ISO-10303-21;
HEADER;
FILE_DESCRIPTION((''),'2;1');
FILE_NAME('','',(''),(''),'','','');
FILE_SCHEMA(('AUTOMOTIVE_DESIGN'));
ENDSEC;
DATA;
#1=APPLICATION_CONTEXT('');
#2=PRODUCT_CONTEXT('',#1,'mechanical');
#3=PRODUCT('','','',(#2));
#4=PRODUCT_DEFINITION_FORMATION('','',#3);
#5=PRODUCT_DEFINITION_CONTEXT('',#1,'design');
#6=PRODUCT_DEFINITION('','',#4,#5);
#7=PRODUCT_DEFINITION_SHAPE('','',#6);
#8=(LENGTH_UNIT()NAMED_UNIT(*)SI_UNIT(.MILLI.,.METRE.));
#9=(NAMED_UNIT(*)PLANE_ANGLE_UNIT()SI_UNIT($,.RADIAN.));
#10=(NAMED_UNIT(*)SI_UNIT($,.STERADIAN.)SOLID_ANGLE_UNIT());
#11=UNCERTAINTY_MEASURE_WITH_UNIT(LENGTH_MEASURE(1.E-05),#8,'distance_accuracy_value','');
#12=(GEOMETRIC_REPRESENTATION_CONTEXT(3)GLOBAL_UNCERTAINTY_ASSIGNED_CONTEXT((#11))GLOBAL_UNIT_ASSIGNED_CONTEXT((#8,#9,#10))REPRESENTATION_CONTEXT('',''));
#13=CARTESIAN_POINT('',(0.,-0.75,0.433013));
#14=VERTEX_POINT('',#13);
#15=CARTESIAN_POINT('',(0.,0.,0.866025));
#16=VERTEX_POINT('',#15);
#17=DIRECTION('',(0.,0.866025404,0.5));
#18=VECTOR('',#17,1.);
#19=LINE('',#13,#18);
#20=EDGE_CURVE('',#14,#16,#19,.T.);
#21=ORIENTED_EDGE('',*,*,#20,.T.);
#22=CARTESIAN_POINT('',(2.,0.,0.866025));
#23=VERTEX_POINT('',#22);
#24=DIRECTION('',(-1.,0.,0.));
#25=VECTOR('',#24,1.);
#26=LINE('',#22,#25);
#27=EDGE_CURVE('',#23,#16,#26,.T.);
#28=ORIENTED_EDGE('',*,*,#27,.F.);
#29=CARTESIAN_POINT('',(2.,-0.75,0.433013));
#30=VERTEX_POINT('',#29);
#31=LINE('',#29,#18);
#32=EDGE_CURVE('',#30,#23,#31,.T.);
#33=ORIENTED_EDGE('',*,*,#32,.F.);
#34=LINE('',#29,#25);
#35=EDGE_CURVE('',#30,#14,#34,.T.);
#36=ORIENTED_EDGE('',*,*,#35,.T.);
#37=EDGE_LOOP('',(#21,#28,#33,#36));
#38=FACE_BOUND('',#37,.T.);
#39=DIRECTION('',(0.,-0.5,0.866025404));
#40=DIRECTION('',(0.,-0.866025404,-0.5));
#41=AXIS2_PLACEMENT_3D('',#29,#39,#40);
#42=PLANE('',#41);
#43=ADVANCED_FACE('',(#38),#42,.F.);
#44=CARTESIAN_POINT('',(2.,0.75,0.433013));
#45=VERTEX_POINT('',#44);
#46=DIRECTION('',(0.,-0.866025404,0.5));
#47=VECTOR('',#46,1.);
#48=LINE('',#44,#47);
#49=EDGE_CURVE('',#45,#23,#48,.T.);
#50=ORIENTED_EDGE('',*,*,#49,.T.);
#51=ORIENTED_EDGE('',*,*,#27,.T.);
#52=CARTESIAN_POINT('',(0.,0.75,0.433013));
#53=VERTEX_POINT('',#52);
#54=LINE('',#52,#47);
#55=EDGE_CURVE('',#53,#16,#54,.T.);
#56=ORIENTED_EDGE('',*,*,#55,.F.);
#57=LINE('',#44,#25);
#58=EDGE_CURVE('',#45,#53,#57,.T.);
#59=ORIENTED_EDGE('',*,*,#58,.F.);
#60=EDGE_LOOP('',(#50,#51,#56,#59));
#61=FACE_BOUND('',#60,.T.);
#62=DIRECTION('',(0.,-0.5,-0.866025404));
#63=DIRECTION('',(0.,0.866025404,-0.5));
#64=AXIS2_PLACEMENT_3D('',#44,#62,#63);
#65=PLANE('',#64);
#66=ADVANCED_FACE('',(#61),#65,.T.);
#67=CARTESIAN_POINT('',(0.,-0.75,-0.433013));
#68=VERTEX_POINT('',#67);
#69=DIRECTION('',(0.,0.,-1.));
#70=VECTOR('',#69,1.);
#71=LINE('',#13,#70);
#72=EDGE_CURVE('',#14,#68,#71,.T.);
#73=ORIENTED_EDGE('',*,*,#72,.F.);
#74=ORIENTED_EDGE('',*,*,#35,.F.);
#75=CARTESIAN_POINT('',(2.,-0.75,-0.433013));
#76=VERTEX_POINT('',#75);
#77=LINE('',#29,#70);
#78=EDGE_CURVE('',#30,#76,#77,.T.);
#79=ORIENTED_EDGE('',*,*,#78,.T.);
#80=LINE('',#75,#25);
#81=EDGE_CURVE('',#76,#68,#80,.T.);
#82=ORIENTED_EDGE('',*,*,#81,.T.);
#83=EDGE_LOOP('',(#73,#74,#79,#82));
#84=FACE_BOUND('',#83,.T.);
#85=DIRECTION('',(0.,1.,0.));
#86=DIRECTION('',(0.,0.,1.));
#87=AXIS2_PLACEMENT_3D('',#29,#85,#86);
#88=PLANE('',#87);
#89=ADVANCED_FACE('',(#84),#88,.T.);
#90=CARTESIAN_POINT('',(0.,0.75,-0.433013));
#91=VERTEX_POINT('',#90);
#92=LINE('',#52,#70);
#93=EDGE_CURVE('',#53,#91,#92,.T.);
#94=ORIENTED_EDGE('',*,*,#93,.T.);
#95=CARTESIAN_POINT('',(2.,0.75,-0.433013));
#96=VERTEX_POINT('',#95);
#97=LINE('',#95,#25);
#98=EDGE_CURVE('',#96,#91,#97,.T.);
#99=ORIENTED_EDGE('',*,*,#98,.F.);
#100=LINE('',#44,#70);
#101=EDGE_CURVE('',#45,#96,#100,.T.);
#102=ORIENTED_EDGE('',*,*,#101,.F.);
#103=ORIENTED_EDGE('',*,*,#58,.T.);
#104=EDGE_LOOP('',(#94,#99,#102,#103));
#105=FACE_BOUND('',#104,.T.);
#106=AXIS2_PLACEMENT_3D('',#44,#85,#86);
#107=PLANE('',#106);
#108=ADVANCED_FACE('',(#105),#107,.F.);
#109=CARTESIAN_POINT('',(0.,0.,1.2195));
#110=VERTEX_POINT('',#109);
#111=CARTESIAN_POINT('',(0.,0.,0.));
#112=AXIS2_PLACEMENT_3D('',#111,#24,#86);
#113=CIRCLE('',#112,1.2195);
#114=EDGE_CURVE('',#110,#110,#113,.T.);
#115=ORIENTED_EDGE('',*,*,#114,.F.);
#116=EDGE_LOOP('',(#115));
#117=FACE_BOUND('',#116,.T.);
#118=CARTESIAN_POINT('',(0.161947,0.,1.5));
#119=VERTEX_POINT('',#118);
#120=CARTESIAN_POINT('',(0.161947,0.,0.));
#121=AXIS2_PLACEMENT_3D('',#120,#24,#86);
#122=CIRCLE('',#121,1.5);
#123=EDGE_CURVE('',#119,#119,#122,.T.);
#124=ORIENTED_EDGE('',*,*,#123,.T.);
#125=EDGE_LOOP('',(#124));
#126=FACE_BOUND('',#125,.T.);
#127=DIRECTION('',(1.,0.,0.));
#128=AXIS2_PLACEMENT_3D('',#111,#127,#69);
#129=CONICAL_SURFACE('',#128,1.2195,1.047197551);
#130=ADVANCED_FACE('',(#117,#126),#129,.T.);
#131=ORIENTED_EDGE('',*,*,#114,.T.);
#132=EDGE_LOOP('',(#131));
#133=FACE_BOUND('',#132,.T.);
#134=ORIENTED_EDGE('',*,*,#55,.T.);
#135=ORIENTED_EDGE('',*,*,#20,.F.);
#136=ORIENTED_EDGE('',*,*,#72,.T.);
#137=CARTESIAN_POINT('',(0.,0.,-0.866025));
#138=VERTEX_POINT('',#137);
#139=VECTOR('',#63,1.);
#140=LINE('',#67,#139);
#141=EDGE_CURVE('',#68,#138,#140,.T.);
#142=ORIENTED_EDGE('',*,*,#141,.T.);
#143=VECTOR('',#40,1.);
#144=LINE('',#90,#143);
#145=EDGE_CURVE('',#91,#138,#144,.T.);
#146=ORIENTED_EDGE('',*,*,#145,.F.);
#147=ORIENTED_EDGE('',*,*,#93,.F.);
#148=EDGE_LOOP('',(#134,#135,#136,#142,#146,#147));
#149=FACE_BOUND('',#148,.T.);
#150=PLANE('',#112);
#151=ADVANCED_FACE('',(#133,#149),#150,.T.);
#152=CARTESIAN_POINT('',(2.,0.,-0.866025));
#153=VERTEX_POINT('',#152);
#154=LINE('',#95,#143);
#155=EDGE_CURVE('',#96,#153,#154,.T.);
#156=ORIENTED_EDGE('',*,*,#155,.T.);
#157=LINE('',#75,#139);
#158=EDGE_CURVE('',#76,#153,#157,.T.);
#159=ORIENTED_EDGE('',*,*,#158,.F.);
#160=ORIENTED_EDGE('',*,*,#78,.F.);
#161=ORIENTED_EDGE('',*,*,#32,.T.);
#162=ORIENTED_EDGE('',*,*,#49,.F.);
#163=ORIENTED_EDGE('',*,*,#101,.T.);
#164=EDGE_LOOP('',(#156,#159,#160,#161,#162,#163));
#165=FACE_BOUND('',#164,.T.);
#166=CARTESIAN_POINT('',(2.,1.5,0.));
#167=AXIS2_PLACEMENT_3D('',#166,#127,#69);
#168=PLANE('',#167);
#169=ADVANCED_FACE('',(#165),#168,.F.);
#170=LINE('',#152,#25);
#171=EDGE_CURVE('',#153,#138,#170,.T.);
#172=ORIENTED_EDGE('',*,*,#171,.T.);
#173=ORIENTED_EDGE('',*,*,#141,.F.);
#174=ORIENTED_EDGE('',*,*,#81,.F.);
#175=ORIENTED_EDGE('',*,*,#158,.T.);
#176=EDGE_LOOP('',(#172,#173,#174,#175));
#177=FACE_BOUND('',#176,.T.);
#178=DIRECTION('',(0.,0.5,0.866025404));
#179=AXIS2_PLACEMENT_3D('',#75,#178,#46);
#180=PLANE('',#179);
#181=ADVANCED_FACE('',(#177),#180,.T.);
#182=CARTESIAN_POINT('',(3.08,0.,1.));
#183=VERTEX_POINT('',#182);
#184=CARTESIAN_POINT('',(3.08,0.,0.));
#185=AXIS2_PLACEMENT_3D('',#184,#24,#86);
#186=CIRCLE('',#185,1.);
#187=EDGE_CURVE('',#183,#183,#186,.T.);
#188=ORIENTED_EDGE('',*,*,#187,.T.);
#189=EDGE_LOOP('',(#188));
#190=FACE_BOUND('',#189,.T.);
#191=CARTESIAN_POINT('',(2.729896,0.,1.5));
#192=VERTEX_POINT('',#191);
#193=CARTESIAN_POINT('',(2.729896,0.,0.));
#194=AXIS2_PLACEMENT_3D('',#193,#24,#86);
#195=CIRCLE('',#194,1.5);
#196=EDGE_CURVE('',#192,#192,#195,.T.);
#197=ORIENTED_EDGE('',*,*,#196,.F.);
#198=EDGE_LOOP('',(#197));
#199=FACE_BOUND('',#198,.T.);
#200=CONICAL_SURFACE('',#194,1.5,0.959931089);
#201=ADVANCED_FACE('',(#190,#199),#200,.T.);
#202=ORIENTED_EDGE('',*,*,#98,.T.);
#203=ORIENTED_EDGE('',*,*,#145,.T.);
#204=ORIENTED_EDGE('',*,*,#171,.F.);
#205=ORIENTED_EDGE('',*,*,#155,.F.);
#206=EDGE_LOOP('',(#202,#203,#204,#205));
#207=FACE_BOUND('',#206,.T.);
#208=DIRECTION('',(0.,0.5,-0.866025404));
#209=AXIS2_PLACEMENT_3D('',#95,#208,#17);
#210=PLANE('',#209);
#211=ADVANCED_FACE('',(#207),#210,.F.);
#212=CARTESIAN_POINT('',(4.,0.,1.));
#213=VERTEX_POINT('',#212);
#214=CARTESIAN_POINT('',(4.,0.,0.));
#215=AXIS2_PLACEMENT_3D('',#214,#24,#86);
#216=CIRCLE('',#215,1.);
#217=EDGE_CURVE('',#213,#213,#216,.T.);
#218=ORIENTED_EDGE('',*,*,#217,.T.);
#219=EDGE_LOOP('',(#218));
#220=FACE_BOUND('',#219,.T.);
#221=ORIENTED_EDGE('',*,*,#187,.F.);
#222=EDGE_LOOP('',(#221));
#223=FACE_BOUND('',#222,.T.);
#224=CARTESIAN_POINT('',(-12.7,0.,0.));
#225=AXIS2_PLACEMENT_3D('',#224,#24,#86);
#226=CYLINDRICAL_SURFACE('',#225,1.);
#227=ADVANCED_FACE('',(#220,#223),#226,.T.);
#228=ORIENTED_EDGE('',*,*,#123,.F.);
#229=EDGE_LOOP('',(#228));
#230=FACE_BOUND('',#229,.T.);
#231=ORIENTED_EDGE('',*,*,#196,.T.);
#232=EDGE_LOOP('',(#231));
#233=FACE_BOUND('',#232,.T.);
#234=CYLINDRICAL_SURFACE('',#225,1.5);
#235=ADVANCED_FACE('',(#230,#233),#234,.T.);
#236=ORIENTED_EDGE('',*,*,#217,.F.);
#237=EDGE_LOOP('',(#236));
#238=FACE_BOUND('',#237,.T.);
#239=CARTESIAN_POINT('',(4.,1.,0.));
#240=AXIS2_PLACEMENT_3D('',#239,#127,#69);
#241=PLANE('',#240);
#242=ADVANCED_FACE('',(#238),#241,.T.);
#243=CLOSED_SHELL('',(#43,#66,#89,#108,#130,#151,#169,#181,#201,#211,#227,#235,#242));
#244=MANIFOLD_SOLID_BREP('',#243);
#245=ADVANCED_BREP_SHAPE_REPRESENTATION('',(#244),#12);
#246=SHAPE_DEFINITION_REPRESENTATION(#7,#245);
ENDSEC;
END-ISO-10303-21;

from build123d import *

# Parameters (mm, degrees)
HEX_2_DEPTH = 2


with BuildPart() as part:
    # BodySke → BaseBody (revolve)
    with BuildSketch(Plane.XY):
        Polygon((0, 0), (0, 1.2195), (0.161946751, 1.5), (2.729896231, 1.5), (3.08, 1), (4, 1), (4, 0), align=None)
    revolve(axis=Axis((-12.7, 0, 0), (1, 0, 0)))

    # Sketch2 → Hex 2 (cut)
    with BuildSketch(Plane.ZY):
        Polygon((0.433012702, 0.75), (-0.433012702, 0.75), (-0.866025404, 0), (-0.433012702, -0.75), (0.433012702, -0.75), (0.866025404, 0), align=None)
    extrude(amount=-HEX_2_DEPTH, mode=Mode.SUBTRACT)


solid = part.part
